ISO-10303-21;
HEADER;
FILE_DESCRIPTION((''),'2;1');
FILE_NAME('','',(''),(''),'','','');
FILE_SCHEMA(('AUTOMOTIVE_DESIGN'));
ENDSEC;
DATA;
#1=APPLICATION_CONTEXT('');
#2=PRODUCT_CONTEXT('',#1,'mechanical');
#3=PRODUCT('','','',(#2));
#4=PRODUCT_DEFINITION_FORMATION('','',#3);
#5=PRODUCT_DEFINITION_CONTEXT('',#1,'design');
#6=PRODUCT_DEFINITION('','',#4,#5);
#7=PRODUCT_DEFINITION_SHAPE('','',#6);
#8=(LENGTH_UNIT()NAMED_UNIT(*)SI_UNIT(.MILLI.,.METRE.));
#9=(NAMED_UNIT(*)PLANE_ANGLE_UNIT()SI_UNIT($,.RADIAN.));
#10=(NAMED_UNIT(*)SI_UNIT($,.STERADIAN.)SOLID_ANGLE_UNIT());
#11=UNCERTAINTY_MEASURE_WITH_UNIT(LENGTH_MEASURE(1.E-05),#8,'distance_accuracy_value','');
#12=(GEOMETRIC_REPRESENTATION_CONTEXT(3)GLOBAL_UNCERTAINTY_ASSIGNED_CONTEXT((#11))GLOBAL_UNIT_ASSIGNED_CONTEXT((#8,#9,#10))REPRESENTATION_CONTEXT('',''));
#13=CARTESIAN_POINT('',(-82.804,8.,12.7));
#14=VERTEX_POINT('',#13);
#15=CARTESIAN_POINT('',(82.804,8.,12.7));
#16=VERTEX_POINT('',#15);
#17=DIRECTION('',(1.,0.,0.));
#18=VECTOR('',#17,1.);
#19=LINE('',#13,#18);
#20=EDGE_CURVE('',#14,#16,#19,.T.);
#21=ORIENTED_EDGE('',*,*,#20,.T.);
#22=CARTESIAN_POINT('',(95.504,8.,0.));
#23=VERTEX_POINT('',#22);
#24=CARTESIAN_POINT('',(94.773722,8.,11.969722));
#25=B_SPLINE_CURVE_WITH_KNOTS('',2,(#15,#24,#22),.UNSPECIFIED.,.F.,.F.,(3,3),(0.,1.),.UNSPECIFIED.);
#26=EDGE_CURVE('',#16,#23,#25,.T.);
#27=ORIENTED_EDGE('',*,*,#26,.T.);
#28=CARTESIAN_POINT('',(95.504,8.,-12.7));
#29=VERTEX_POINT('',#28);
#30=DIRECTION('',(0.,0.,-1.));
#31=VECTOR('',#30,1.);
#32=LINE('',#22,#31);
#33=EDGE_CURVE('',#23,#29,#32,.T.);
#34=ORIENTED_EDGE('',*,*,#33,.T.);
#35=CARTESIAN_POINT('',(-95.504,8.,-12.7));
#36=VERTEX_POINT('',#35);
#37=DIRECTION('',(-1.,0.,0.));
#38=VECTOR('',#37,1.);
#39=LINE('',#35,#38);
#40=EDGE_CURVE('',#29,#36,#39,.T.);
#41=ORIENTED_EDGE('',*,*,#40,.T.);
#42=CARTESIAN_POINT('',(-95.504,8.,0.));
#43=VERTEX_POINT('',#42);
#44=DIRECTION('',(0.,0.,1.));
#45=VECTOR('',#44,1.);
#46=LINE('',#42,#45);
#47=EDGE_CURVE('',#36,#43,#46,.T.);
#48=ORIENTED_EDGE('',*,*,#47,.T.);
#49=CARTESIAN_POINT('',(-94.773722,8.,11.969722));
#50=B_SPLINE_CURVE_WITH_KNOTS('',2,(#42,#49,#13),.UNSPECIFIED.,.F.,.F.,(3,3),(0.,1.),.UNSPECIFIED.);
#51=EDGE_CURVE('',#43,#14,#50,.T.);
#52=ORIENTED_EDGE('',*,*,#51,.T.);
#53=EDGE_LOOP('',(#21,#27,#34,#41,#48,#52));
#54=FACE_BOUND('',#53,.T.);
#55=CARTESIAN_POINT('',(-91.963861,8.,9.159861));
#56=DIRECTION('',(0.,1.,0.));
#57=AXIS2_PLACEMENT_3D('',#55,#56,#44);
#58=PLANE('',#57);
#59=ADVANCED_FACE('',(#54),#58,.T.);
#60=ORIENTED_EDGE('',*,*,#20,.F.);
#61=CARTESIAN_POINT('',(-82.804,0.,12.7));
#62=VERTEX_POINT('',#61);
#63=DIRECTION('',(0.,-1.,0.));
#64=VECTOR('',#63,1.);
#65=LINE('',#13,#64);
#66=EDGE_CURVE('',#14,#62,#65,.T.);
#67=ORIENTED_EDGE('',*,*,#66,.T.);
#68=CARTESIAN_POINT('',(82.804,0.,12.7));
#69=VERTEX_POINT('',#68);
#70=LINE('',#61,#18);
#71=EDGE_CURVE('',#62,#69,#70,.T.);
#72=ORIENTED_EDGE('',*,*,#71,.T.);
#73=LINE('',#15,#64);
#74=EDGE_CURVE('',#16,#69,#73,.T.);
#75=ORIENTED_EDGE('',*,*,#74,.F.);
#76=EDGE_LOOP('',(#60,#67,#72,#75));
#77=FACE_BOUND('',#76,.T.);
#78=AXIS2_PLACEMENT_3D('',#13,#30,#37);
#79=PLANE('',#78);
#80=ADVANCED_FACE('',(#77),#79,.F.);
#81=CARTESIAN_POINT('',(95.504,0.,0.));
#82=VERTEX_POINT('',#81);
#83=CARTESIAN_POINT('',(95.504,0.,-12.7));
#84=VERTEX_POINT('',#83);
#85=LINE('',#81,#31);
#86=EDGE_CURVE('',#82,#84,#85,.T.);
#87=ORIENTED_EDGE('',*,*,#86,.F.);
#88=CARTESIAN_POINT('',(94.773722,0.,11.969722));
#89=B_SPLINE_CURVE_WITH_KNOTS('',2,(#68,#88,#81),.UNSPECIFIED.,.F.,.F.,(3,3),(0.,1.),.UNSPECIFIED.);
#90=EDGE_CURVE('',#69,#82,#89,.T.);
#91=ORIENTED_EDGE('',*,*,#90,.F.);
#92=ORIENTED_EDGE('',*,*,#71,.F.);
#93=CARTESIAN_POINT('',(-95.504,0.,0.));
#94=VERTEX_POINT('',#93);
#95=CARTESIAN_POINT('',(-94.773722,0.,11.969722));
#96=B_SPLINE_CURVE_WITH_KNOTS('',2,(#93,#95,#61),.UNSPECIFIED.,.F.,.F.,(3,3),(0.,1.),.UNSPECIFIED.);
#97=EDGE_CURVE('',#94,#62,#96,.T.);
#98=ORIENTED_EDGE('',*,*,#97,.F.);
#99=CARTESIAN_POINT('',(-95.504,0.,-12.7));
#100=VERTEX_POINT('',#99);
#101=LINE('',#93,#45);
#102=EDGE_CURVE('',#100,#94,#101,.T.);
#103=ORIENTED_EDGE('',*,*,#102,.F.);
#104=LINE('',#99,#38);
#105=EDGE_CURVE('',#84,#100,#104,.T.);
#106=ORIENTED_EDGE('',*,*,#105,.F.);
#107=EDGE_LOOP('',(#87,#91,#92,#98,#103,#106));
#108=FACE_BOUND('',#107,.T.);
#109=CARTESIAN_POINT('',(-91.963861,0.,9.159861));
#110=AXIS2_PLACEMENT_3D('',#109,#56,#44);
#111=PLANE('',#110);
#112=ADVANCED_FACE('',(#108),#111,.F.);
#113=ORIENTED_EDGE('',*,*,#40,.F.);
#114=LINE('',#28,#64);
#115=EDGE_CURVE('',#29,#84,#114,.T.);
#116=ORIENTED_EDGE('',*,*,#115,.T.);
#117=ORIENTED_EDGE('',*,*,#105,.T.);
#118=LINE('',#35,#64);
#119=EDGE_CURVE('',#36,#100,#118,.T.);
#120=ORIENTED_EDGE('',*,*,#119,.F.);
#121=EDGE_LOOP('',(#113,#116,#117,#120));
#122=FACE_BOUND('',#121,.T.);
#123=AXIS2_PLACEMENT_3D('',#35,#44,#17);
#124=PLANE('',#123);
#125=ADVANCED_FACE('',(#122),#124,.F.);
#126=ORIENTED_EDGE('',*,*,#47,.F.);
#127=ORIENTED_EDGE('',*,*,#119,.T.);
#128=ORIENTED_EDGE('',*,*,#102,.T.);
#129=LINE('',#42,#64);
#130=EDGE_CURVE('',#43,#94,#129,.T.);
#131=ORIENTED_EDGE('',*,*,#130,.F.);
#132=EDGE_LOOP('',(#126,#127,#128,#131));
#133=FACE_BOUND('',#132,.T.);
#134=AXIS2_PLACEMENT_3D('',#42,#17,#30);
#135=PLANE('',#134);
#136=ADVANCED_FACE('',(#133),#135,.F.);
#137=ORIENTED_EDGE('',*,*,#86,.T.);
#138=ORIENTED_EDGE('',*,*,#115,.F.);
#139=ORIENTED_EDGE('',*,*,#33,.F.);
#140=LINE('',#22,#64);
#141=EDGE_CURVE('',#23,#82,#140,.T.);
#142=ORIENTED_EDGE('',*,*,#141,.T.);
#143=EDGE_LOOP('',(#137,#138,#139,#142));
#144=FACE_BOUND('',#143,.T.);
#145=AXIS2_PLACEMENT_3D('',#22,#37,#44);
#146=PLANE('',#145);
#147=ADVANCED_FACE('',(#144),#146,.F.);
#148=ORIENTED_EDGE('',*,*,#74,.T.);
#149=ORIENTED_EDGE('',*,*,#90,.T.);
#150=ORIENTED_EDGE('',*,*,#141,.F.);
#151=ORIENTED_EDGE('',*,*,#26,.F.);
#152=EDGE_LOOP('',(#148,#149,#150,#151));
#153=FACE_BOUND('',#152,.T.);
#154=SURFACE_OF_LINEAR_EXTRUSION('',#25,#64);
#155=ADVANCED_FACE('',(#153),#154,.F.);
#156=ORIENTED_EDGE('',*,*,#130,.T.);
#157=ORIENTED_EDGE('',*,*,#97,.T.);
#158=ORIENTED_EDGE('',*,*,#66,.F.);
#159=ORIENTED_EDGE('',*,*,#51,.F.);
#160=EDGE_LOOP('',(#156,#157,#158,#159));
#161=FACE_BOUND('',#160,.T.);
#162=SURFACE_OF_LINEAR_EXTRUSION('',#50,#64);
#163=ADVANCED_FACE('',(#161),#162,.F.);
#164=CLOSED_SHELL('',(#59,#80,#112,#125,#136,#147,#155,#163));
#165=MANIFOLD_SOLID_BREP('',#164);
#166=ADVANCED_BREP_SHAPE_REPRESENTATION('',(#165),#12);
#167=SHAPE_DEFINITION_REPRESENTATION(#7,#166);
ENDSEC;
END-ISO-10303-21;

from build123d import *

# Parameters (mm, degrees)
BOSS_EXTRUDE1_DEPTH = 8


with BuildPart() as part:
    # Sketch1 → Boss-Extrude1 (new body)
    with BuildSketch(Plane(origin=(0, 0, 0), x_dir=(1, 0, 0), z_dir=(0, 1, 0))):
        with BuildLine():
            Line((-82.804, -12.7), (82.804, -12.7))
            add(Edge.make_bspline(
                [(82.804, -12.7), (94.773722487, -11.969722487), (95.504, 0)],
                knots=[0, 0, 0, 1, 1, 1], degree=2))
            Line((95.504, 0), (95.504, 12.7))
            Line((95.504, 12.7), (-95.504, 12.7))
            Line((-95.504, 12.7), (-95.504, 0))
            add(Edge.make_bspline(
                [(-82.804, -12.7), (-94.773722487, -11.969722487), (-95.504, 0)],
                knots=[0, 0, 0, 1, 1, 1], degree=2))
        make_face()
    extrude(amount=BOSS_EXTRUDE1_DEPTH)


solid = part.part
